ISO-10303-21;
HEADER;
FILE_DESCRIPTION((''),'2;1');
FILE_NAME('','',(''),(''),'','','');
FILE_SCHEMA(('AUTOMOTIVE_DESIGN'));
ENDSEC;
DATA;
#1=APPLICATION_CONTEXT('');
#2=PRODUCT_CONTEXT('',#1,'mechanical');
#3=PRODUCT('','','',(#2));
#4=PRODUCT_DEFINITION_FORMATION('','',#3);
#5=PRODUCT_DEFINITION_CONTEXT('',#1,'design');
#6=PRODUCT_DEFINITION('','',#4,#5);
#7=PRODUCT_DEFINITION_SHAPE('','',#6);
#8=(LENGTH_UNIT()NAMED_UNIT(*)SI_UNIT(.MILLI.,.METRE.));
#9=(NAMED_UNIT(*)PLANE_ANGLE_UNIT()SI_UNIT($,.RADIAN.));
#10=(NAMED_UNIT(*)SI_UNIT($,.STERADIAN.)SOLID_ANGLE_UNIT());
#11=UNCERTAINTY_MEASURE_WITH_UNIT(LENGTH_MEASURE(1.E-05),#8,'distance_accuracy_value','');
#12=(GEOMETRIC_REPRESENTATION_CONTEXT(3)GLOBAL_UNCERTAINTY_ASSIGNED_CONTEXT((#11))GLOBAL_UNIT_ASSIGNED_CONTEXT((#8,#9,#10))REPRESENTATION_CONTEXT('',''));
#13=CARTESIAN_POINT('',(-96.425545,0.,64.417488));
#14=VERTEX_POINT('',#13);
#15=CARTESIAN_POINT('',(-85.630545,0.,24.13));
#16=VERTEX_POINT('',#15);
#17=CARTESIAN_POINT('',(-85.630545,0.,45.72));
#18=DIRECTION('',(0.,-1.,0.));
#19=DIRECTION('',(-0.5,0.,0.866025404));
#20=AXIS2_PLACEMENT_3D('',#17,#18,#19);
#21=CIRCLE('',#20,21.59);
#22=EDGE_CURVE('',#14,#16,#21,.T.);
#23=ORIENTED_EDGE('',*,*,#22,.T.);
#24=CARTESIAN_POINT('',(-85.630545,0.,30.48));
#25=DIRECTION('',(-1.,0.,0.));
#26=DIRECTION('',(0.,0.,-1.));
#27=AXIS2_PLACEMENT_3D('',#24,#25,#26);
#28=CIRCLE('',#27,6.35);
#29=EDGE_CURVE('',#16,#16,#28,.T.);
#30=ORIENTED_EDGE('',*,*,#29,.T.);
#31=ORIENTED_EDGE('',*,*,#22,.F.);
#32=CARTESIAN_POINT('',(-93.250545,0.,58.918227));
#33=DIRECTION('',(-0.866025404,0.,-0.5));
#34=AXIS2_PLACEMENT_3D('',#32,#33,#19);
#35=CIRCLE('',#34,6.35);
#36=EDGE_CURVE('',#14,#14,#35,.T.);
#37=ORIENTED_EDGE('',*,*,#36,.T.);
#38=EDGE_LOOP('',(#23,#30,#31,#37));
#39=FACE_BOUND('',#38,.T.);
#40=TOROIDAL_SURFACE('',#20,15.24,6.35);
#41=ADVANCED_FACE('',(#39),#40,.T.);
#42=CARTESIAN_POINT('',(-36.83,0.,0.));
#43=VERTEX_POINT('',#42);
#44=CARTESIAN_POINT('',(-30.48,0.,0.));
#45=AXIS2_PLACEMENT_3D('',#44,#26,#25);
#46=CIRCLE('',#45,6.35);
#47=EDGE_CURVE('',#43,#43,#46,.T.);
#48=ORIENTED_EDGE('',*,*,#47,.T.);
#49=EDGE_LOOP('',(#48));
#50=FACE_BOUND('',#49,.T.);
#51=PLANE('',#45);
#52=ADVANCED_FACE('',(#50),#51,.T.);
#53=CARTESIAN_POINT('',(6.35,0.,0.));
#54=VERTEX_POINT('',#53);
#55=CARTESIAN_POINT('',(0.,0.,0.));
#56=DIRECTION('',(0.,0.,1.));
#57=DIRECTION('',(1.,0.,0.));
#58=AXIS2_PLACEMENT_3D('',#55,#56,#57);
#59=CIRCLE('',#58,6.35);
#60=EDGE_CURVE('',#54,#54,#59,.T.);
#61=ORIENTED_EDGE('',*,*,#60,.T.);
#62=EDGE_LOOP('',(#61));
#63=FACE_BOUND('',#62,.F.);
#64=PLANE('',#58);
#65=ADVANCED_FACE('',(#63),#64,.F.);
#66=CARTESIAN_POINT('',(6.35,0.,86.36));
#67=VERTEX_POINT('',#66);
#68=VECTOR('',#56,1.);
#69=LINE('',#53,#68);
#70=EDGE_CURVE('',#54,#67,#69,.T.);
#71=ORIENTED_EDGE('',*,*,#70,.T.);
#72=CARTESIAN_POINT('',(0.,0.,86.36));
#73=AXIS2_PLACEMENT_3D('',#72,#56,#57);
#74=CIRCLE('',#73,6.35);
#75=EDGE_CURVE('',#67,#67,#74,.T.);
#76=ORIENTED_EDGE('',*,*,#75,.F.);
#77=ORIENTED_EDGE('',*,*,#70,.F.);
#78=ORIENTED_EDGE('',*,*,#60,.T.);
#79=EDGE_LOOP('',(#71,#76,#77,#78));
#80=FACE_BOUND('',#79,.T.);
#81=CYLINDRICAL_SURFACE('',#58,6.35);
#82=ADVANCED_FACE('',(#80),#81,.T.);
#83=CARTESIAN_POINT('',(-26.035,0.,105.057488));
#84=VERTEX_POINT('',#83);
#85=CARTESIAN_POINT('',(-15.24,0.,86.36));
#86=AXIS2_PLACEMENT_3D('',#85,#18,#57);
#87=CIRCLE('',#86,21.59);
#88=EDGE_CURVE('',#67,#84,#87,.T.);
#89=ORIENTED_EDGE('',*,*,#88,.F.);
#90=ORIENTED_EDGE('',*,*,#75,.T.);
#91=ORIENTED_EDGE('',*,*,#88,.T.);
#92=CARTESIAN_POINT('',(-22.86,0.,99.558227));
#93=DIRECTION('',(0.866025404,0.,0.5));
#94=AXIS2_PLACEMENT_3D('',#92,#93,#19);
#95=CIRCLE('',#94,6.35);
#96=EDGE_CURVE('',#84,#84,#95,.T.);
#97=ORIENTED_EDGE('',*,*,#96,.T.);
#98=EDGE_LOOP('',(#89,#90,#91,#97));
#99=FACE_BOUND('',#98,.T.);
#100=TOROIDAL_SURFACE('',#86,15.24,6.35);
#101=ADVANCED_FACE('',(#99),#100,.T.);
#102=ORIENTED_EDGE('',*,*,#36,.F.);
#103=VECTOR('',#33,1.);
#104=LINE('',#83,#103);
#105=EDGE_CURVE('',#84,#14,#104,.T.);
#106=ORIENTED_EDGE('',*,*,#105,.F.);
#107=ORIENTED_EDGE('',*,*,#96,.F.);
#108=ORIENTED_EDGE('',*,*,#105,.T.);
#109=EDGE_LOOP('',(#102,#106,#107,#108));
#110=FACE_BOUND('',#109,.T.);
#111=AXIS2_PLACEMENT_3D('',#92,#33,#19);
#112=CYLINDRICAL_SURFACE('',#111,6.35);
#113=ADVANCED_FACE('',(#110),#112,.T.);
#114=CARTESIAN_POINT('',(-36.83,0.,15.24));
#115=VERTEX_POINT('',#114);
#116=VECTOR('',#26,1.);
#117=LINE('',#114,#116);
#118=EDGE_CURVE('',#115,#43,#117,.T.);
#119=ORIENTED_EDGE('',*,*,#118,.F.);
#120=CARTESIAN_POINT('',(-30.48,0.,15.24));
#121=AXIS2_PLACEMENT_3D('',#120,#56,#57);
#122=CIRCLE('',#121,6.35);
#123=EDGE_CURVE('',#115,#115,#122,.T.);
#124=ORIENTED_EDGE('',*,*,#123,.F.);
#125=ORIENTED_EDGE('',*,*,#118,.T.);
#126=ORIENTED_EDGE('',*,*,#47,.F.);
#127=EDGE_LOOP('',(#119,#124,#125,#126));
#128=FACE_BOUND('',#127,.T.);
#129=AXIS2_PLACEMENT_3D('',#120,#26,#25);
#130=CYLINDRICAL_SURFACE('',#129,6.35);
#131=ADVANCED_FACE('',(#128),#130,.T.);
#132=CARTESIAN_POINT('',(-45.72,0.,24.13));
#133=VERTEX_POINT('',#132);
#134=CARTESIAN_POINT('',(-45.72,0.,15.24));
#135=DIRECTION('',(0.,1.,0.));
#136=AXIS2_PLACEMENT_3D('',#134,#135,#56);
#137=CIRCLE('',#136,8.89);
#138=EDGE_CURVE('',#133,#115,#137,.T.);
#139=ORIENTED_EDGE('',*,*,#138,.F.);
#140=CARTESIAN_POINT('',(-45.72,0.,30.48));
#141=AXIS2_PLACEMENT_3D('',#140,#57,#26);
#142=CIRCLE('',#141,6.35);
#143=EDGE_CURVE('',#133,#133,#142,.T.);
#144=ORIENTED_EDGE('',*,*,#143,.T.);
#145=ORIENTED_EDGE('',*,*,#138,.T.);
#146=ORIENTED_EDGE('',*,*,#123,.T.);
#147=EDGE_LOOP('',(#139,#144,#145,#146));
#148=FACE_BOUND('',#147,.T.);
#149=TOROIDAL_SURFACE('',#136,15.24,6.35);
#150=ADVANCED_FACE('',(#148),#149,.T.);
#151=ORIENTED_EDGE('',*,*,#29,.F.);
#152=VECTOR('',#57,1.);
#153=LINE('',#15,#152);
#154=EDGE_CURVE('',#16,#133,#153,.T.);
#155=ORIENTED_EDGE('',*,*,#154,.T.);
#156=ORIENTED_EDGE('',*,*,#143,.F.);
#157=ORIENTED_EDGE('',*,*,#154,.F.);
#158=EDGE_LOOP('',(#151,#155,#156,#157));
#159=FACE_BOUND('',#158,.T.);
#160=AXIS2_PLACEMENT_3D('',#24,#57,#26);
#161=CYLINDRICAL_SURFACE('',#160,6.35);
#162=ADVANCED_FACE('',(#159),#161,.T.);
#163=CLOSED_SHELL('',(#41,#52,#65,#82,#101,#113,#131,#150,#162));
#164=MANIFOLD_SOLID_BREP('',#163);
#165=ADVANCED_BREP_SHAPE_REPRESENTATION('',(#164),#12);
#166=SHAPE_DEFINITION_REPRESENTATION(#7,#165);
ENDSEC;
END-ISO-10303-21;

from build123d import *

# Parameters (mm, degrees)
F2_R = 6.35


with BuildPart() as f3:
    # F3: sweep along a path in F0
    with BuildLine(Plane.XZ) as f3_path:
        Line((0, 0), (0, 86.36))
        ThreePointArc((0, 86.36), (-7.62, 99.5582271537), (-22.86, 99.5582271537))
        Line((-22.86, 99.5582271537), (-93.2505448196, 58.9182271537))
        ThreePointArc((-93.2505448196, 58.9182271537), (-100.3512544122, 41.7755977526), (-85.6305448196, 30.48))
        Line((-85.6305448196, 30.48), (-45.72, 30.48))
        ThreePointArc((-45.72, 30.48), (-34.9436926547, 26.0163073453), (-30.48, 15.24))
        Line((-30.48, 15.24), (-30.48, 0))
    # F2 (on line) → F3 (sweep)
    with BuildSketch(Plane.XY):
        Circle(F2_R)
    sweep(path=f3_path.line)


solid = f3.part
